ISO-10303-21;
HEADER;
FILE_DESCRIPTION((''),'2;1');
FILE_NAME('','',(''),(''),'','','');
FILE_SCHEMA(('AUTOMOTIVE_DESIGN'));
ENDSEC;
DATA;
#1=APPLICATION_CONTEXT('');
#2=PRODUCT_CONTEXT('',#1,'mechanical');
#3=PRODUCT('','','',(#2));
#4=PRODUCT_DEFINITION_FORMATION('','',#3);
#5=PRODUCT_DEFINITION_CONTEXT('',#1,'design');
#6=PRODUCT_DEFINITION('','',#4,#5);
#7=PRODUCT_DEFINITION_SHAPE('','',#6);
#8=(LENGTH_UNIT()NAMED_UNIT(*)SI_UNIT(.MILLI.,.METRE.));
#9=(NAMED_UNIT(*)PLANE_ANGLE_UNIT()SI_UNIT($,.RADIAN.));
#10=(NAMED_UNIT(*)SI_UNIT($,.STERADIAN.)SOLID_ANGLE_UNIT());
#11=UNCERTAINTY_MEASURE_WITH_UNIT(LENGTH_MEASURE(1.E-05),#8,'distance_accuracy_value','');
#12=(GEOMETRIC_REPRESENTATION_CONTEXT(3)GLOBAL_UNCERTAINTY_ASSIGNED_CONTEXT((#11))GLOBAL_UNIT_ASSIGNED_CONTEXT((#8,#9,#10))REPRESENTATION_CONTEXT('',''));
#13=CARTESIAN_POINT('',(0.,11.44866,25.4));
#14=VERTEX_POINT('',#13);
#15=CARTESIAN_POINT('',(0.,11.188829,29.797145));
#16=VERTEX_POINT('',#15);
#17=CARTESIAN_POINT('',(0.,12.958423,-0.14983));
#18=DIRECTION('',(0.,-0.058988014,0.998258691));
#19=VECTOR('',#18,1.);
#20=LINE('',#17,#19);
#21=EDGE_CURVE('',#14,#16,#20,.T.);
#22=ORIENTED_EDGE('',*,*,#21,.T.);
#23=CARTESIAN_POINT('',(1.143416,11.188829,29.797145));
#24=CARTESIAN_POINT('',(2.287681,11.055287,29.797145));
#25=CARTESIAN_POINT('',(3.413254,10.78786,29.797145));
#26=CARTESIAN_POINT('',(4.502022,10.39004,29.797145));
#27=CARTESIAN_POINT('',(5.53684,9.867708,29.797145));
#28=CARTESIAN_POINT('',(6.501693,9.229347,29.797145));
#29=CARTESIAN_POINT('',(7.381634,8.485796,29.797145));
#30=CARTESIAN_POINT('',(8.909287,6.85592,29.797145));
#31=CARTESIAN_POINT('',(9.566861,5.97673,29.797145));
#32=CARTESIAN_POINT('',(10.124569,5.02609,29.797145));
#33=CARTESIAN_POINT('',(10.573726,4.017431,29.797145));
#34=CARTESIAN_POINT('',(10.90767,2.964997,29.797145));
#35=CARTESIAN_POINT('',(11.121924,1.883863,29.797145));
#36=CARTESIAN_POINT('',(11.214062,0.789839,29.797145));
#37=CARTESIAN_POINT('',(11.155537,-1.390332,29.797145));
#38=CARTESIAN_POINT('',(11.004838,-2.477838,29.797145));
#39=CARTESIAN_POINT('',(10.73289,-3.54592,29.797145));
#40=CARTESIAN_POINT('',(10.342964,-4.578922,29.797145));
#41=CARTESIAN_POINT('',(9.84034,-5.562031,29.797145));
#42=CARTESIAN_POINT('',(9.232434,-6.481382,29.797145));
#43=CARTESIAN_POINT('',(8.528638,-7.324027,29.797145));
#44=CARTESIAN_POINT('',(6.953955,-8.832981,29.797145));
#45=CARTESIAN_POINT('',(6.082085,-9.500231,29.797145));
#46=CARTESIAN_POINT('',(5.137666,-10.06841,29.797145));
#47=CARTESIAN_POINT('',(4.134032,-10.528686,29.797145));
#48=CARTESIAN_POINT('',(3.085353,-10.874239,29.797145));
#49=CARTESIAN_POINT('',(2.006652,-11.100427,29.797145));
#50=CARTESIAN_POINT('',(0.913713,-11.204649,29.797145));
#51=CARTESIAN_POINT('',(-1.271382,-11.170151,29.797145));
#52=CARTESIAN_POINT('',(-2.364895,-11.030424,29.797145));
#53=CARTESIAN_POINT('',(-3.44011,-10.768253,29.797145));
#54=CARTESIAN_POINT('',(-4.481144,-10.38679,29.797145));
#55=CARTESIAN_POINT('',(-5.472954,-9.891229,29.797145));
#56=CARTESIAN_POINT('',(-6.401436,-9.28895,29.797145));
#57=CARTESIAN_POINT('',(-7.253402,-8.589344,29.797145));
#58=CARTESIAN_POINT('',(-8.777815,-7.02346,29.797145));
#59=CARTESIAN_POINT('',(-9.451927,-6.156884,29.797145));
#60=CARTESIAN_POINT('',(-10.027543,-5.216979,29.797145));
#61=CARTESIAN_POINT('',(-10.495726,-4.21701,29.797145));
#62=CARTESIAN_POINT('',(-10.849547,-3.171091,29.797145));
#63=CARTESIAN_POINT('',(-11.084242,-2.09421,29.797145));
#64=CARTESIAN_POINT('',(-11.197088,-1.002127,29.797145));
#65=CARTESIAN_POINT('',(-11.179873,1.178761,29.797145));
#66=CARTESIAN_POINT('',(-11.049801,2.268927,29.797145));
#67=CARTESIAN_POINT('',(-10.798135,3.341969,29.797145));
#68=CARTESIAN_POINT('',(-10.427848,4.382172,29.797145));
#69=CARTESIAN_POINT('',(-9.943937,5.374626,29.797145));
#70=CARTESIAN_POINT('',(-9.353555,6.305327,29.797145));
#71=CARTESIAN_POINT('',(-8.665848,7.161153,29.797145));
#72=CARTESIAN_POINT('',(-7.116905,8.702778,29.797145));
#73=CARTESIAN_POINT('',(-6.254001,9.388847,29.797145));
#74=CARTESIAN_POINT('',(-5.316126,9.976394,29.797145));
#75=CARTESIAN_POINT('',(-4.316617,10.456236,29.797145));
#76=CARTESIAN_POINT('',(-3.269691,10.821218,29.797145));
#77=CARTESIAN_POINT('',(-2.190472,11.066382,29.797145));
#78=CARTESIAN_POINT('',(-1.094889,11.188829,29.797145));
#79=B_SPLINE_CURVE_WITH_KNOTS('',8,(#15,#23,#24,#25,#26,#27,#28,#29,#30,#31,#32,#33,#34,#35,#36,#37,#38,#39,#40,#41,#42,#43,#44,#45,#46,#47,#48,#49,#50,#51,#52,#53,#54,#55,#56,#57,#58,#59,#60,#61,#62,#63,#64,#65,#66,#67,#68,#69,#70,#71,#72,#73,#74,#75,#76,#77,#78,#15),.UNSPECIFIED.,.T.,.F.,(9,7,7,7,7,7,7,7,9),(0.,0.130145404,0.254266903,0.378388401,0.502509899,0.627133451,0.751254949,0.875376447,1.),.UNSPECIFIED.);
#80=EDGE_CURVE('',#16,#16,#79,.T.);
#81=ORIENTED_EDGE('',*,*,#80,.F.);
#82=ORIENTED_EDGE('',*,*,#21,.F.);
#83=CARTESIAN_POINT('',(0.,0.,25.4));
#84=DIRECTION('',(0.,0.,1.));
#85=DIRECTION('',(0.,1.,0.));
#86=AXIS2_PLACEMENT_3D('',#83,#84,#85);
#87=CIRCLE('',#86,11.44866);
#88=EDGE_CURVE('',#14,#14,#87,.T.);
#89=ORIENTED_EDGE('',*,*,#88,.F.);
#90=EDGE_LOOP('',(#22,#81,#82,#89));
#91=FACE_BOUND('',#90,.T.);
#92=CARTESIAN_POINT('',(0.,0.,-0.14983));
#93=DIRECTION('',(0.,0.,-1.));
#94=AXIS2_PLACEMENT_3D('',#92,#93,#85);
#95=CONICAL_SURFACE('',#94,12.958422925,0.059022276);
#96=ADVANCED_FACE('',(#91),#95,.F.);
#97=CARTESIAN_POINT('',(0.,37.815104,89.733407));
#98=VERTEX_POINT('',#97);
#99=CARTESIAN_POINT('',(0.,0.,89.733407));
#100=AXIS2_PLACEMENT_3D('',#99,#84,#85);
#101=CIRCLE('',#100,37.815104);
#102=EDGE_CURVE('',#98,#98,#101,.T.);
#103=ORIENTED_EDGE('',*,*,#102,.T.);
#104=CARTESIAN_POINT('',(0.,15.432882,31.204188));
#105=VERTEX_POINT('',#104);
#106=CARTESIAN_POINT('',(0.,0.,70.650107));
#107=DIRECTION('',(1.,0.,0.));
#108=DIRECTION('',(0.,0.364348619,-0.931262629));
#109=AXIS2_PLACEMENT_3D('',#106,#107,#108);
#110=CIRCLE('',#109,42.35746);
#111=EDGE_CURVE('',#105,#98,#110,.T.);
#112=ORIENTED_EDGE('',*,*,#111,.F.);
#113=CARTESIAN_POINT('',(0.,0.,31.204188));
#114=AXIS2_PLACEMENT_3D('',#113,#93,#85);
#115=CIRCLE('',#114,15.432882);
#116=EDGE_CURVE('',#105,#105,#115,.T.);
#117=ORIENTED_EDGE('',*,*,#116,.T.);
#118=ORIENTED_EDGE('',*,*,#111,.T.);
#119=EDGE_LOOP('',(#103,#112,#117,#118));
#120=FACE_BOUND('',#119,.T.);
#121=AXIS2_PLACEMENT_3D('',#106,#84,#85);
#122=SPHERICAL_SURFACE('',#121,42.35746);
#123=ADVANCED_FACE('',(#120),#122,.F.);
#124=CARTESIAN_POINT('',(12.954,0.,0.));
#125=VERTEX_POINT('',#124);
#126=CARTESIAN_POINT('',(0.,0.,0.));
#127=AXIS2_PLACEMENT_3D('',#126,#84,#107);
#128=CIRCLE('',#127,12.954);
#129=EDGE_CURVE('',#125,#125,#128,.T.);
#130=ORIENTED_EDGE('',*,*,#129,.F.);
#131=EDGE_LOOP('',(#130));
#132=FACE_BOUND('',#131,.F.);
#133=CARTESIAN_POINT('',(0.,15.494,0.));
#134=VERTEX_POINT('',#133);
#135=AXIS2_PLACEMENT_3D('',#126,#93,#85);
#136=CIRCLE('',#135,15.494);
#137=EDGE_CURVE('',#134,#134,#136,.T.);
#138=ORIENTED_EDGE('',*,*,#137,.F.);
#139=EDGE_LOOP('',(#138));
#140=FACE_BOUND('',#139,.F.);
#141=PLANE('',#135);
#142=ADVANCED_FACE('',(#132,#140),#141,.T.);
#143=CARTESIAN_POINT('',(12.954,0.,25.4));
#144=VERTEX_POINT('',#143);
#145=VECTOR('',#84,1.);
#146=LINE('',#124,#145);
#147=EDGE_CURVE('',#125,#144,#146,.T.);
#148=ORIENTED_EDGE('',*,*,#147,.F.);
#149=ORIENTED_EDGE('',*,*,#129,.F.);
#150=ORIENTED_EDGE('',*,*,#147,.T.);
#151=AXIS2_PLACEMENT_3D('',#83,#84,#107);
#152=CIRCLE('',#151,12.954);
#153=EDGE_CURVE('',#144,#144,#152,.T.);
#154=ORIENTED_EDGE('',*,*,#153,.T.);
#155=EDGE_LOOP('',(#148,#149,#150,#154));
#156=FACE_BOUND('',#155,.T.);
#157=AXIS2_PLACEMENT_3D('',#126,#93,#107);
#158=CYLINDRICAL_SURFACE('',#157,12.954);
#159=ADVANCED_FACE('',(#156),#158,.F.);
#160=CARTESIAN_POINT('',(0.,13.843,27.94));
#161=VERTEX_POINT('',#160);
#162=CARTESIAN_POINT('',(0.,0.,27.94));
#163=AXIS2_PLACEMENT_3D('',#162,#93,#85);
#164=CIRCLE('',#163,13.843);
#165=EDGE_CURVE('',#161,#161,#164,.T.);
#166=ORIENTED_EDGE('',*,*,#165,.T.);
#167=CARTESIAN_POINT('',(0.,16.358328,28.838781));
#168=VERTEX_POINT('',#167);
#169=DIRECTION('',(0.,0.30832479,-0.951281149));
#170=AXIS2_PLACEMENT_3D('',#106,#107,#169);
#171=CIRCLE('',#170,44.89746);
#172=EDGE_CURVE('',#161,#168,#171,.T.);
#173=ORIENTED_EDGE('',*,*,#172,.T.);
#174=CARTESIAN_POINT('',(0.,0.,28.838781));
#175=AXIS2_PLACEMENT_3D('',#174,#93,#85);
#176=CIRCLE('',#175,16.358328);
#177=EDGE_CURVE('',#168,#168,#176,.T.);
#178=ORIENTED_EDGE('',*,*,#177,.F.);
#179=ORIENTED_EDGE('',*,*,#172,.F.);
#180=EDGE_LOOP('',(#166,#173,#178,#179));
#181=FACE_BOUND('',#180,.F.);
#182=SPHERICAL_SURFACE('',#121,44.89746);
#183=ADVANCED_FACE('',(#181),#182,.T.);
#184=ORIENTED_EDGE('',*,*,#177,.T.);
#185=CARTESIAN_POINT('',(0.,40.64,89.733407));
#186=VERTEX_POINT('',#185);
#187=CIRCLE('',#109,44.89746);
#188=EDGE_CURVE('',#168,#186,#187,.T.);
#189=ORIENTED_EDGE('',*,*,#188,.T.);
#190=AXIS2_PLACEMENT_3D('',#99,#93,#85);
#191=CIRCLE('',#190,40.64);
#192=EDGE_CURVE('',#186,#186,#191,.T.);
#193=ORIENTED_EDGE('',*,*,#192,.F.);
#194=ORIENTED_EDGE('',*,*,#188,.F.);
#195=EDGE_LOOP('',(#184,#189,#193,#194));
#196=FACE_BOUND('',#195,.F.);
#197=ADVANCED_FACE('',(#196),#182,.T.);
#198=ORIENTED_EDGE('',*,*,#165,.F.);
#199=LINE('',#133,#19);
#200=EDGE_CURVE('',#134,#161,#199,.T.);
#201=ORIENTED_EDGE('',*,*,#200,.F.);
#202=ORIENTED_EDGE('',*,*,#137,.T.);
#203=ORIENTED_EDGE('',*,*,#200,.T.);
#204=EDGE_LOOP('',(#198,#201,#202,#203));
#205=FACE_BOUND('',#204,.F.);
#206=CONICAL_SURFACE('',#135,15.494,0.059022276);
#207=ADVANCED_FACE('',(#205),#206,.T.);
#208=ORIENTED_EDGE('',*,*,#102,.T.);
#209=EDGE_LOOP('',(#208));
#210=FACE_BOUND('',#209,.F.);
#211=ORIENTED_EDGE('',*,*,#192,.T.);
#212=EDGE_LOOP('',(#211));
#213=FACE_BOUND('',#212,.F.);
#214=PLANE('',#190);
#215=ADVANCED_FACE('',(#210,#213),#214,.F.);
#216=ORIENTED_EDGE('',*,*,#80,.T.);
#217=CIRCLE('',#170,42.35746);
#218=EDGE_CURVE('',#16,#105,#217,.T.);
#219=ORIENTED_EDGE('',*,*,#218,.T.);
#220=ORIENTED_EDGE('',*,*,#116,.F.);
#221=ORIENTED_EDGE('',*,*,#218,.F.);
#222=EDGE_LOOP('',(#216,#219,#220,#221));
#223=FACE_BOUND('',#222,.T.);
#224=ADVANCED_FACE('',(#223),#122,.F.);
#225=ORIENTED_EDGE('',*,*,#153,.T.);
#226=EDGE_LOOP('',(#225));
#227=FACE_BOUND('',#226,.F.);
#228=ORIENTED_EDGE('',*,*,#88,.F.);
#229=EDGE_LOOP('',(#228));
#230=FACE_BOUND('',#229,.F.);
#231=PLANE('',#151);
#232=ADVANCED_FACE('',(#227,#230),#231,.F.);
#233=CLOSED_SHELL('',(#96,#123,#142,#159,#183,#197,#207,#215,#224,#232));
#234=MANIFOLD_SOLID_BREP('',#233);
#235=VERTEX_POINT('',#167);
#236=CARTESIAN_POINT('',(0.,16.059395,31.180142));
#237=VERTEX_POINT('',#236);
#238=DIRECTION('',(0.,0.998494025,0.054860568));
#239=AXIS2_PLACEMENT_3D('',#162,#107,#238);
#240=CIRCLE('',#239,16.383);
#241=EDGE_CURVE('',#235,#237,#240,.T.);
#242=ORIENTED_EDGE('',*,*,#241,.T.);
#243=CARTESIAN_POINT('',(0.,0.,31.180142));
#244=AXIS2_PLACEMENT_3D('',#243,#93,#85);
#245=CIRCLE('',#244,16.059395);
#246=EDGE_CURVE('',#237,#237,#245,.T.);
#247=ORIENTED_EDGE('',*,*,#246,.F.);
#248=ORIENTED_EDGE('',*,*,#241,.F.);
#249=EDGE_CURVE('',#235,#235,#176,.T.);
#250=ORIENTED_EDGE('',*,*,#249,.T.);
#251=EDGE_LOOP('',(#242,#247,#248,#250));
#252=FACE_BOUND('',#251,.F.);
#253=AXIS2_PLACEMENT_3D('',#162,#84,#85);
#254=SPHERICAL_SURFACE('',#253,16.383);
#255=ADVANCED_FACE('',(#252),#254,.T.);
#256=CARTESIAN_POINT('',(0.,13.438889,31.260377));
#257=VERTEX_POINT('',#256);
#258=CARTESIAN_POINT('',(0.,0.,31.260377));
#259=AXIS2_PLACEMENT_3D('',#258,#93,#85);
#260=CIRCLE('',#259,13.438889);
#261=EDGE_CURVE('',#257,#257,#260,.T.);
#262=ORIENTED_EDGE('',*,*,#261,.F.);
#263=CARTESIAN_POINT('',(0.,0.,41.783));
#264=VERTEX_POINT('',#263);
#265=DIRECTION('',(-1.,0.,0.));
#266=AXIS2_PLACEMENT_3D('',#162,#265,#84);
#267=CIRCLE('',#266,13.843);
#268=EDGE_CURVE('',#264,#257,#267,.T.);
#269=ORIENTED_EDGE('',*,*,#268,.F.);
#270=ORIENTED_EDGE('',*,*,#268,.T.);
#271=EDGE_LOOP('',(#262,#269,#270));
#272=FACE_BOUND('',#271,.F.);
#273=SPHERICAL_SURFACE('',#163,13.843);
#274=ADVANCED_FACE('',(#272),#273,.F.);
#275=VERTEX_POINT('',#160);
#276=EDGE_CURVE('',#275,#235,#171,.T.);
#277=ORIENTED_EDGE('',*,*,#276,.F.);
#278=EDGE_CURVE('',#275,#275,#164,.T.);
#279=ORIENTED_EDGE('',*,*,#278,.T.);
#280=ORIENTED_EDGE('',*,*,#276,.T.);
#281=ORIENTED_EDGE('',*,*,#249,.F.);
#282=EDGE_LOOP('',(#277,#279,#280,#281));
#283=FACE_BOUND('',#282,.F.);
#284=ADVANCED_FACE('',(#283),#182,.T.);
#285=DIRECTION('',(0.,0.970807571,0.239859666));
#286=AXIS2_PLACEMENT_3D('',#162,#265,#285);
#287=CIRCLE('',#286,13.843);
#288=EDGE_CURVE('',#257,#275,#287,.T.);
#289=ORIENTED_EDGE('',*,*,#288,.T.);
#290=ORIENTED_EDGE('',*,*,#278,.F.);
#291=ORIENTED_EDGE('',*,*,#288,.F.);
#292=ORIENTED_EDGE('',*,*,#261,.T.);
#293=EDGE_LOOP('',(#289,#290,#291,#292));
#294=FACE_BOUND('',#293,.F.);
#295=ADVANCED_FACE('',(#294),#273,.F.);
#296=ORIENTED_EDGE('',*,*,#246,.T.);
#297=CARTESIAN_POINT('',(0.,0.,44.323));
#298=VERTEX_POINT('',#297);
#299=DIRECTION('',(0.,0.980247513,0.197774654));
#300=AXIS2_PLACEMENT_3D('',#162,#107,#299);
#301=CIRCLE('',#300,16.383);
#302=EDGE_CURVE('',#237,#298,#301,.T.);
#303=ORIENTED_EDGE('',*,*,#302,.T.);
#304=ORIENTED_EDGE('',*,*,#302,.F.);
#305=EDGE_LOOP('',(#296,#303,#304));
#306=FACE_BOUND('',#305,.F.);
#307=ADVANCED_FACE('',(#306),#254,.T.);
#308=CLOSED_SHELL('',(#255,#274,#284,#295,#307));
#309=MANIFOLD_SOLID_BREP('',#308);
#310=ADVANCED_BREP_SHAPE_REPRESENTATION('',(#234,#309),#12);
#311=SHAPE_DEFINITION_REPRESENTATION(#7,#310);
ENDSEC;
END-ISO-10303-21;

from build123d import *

# Parameters (mm, degrees)
F2_T     = -2.54
F3_R     = 12.954
F4_DEPTH = 25.4


with BuildPart() as f1:
    # F0 (on Right) → F1 (revolve)
    with BuildSketch(Plane.YZ):
        with BuildLine():
            Line((0, 41.783), (0, 0))
            Line((0, 0), (12.9495693602, 0))
            Line((12.9495693602, 0), (11.2833142379, 28.198163607))
            ThreePointArc((11.2833142379, 28.198163607), (11.8260483136, 30.1059090312), (13.4388892092, 31.2603773616))
            ThreePointArc((13.4388892092, 31.2603773616), (8.5341861118, 38.8393722942), (0, 41.783))
        make_face()
        with BuildLine():
            Line((11.2833142379, 28.198163607), (12.9495693602, 0))
            Line((12.9495693602, 0), (15.494, 0))
            Line((15.494, 0), (13.843, 27.94))
            ThreePointArc((13.843, 27.94), (13.7416009315, 29.6124391883), (13.4388892092, 31.2603773616))
            ThreePointArc((13.4388892092, 31.2603773616), (11.8260483136, 30.1059090312), (11.2833142379, 28.198163607))
        make_face()
        with BuildLine():
            Line((0, 44.323), (0, 41.783))
            ThreePointArc((0, 41.783), (8.5341861118, 38.8393722942), (13.4388892092, 31.2603773616))
            ThreePointArc((13.4388892092, 31.2603773616), (13.7416009315, 29.6124391883), (13.843, 27.94))
            ThreePointArc((13.843, 27.94), (15.1073491741, 28.3706806758), (16.3583276121, 28.838780693))
            ThreePointArc((16.3583276121, 28.838780693), (16.2510823708, 30.0148519891), (16.0593950001, 31.180142162))
            ThreePointArc((16.0593950001, 31.180142162), (10.3759201992, 40.6184450553), (0, 44.323))
        make_face()
        with BuildLine():
            Line((0, 89.7334072543), (0, 44.323))
            ThreePointArc((0, 44.323), (10.3759201992, 40.6184450553), (16.0593950001, 31.180142162))
            ThreePointArc((16.0593950001, 31.180142162), (39.8802110067, 55.6384087033), (38.1, 89.7334072543))
            Line((38.1, 89.7334072543), (0, 89.7334072543))
        make_face()
        with BuildLine():
            ThreePointArc((38.1, 89.7334072543), (39.8802110067, 55.6384087033), (16.0593950001, 31.180142162))
            ThreePointArc((16.0593950001, 31.180142162), (16.2510823708, 30.0148519891), (16.3583276121, 28.838780693))
            ThreePointArc((16.3583276121, 28.838780693), (41.7042111022, 54.0205943653), (40.64, 89.7334072543))
            Line((40.64, 89.7334072543), (38.1, 89.7334072543))
        make_face()
    revolve(axis=Axis((0, 0, 44.8667036272), (0, 0, -1)))

    # F2
    f2_openings = [f1.faces().sort_by_distance(p)[0] for p in [
        (0, 0, 89.733407),
    ]]
    offset(amount=F2_T, openings=f2_openings, kind=Kind.INTERSECTION)

    # F3 (on Top) → F4 (cut)
    with BuildSketch(Plane.XY):
        Circle(F3_R)
    extrude(amount=F4_DEPTH, mode=Mode.SUBTRACT)


with BuildPart() as f5:
    # F0 (on Right) → F5 (revolve)
    with BuildSketch(Plane.YZ):
        with BuildLine():
            Line((0, 44.323), (0, 41.783))
            ThreePointArc((0, 41.783), (8.5341861118, 38.8393722942), (13.4388892092, 31.2603773616))
            ThreePointArc((13.4388892092, 31.2603773616), (13.7416009315, 29.6124391883), (13.843, 27.94))
            ThreePointArc((13.843, 27.94), (15.1073491741, 28.3706806758), (16.3583276121, 28.838780693))
            ThreePointArc((16.3583276121, 28.838780693), (16.2510823708, 30.0148519891), (16.0593950001, 31.180142162))
            ThreePointArc((16.0593950001, 31.180142162), (10.3759201992, 40.6184450553), (0, 44.323))
        make_face()
    revolve(axis=Axis((0, 0, 44.8667036272), (0, 0, -1)))


solid = Compound([f1.part, f5.part])
